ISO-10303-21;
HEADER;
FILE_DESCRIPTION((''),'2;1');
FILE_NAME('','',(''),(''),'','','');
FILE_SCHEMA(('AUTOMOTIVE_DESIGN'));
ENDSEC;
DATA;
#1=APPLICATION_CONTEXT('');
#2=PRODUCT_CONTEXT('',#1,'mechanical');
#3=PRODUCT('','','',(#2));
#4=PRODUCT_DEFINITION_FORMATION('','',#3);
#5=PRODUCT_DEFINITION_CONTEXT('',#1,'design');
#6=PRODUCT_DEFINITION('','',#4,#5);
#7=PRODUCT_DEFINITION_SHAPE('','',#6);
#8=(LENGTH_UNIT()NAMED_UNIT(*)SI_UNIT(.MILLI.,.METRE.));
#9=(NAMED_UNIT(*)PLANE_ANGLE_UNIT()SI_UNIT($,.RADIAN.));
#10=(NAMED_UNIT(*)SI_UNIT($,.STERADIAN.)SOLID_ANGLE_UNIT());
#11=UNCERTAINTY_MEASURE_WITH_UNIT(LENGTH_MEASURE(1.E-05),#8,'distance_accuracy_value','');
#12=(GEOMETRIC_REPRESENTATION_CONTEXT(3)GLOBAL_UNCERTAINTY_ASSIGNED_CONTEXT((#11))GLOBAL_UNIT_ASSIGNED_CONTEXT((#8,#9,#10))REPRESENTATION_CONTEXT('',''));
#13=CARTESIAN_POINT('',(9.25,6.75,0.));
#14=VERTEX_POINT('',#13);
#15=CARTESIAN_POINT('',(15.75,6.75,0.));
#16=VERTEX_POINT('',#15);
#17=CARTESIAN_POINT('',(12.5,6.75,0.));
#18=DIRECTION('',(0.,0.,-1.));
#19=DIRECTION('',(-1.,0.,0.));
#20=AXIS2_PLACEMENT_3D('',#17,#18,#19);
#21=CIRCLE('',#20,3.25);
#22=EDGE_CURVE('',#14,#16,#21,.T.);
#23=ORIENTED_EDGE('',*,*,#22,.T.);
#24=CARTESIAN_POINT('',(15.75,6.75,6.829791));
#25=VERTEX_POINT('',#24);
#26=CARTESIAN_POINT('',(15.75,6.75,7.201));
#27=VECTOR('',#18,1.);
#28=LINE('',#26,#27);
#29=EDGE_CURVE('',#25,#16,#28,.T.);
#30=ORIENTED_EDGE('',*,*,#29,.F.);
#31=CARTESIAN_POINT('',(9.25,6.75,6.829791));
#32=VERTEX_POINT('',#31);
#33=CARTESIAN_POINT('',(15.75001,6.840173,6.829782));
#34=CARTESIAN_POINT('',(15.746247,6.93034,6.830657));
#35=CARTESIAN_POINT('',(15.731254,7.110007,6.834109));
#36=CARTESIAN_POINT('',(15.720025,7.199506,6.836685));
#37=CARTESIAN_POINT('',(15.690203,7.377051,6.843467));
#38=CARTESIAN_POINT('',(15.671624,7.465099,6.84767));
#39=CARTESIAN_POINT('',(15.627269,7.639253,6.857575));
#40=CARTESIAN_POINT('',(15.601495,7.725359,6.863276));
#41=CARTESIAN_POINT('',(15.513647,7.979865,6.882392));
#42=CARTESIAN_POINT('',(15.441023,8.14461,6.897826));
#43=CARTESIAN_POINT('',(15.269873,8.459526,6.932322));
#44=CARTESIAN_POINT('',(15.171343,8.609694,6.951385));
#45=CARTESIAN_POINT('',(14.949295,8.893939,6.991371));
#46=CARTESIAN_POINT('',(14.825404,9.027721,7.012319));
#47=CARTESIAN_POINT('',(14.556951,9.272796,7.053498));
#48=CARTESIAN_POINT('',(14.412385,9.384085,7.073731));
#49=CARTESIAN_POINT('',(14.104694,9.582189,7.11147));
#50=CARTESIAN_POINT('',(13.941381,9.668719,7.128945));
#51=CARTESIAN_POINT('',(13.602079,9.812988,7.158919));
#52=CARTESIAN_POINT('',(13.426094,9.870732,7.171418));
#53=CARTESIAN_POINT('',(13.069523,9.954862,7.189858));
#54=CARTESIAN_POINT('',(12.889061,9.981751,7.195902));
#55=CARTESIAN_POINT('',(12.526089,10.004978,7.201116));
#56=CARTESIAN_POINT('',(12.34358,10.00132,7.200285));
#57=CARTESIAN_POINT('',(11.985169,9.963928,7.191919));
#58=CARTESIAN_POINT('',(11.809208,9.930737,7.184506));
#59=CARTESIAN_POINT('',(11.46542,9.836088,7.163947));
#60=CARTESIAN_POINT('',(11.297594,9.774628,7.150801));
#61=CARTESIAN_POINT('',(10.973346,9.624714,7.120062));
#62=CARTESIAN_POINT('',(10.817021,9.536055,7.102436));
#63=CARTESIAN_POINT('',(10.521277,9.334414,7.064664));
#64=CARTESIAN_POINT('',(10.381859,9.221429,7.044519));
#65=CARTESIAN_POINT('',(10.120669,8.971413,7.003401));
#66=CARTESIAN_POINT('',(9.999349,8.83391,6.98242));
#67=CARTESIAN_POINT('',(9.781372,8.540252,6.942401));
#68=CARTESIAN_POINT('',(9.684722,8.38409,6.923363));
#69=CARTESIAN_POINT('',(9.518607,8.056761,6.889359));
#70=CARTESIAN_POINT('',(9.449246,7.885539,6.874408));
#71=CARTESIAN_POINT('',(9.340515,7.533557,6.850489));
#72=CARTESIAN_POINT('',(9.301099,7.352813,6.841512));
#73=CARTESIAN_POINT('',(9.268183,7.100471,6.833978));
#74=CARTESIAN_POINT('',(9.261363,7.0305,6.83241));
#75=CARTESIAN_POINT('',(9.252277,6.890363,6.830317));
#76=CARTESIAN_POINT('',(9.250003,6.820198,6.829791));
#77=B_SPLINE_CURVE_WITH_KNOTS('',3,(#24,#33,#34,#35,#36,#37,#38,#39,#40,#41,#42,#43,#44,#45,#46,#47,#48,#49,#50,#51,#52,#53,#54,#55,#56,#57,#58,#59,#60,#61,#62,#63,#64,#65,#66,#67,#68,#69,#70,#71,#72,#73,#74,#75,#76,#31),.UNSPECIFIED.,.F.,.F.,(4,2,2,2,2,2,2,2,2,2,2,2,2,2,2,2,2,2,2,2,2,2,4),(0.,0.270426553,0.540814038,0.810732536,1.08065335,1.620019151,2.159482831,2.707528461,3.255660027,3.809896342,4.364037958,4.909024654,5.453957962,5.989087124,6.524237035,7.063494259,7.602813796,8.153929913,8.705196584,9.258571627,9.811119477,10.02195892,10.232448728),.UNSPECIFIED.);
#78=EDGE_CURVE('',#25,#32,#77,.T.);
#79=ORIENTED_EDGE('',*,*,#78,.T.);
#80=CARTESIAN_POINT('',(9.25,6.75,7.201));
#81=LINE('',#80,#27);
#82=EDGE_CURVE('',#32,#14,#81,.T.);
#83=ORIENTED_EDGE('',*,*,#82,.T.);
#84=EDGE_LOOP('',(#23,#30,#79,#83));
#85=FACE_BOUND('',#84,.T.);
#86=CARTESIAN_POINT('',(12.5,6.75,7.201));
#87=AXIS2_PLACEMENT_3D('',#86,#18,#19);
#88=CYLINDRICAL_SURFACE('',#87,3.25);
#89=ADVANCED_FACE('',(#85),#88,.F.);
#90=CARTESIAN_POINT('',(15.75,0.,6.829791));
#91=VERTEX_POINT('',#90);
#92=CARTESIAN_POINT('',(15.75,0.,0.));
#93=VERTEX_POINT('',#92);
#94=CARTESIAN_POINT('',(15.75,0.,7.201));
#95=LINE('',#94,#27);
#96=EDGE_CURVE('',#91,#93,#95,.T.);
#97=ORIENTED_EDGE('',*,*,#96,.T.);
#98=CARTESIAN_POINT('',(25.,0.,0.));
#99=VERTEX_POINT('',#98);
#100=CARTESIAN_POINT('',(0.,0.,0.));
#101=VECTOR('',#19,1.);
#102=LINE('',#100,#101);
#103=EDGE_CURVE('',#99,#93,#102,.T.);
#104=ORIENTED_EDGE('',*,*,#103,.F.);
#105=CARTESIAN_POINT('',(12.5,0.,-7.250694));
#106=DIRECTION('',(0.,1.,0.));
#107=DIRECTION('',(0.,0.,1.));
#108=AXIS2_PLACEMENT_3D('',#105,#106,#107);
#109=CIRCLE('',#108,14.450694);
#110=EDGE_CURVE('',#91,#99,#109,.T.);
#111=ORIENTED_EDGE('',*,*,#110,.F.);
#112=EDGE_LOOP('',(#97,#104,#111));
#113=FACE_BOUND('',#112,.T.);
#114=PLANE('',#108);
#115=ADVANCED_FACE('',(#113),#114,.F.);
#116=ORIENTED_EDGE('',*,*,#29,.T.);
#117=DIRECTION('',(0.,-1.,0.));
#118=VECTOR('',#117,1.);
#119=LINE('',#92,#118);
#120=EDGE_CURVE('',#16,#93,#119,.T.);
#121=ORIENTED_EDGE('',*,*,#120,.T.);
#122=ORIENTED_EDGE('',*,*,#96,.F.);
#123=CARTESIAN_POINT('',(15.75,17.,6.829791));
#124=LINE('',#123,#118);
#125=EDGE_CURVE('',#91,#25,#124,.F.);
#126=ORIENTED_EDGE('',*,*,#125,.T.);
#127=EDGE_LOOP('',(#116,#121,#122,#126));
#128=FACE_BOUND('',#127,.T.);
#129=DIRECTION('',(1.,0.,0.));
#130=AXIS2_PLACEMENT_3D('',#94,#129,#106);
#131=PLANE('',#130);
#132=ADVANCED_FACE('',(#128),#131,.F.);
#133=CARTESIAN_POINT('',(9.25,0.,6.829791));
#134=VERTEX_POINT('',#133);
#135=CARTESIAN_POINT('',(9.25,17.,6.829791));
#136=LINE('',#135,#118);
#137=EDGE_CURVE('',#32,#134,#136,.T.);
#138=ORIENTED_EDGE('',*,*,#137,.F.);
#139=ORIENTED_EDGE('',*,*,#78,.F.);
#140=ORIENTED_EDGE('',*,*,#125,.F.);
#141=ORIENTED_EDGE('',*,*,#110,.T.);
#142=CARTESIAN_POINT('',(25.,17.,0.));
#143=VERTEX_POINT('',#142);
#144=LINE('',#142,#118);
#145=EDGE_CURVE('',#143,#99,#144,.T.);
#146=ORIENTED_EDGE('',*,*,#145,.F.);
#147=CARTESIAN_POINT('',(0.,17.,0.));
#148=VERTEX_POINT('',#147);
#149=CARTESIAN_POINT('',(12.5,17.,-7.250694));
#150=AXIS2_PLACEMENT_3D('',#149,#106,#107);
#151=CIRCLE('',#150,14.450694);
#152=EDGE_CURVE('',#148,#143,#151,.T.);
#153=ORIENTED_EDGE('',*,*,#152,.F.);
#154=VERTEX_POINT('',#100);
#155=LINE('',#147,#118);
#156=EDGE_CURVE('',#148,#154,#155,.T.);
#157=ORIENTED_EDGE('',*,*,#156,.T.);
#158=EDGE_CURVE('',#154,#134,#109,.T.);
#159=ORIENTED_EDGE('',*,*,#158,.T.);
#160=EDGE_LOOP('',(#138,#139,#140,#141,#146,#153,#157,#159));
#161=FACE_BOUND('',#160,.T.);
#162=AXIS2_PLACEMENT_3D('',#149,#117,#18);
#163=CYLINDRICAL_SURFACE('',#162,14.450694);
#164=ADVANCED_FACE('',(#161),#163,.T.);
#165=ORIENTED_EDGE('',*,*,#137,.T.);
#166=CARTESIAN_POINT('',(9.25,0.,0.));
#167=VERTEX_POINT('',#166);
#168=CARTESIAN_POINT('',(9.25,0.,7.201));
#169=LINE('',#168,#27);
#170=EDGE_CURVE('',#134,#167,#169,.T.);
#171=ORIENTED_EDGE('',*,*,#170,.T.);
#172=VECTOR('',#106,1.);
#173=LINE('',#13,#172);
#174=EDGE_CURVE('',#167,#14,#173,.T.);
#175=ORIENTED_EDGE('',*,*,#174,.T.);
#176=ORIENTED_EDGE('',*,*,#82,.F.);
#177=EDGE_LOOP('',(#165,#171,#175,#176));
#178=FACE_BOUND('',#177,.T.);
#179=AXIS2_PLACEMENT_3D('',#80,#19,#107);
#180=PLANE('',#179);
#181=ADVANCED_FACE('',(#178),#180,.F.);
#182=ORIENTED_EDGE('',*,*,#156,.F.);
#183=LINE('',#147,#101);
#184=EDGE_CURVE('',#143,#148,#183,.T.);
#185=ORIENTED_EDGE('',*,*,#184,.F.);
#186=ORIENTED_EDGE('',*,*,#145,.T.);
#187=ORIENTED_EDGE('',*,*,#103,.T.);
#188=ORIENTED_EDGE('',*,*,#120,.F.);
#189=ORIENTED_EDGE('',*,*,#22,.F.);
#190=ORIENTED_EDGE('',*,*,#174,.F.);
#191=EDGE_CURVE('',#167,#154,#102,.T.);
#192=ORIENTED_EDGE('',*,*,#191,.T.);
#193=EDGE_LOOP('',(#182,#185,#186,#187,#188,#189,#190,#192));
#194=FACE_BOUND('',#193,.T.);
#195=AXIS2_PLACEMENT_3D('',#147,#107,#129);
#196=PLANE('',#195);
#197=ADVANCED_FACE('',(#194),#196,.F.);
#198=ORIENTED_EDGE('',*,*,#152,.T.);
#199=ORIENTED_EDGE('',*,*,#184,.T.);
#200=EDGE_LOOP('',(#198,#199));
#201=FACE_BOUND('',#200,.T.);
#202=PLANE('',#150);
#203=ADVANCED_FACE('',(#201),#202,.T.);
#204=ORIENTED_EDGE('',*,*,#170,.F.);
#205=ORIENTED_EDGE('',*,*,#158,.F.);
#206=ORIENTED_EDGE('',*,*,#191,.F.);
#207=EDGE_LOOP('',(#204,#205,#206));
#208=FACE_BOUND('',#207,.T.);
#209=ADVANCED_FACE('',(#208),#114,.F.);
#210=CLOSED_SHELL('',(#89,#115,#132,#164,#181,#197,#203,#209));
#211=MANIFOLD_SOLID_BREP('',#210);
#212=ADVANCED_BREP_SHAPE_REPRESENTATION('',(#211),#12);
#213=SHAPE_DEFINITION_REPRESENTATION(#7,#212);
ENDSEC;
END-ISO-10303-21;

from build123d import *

# Parameters (mm, degrees)
BOSS_EXTRUDE1_DEPTH = 17
CUT_EXTRUDE1_REACH  = 9.2


with BuildPart() as part:
    # Sketch2 → Boss-Extrude1 (new body)
    with BuildSketch(Plane(origin=(0, 0, 0), x_dir=(1, 0, 0), z_dir=(0, 1, 0))):
        with BuildLine():
            Line((0, 0), (25, 0))
            ThreePointArc((25, 0), (12.5, -7.2), (0, 0))
        make_face()
    extrude(amount=BOSS_EXTRUDE1_DEPTH)

    # Sketch3 → Cut-Extrude1 (cut, up to next)
    with BuildSketch(Plane(origin=(0, 0, 0), x_dir=(-1, 0, 0), z_dir=(0, 0, -1)), mode=Mode.PRIVATE) as cut_extrude1_sk1:
        with BuildLine():
            Line((-15.75, 0), (-15.75, 6.75))
            ThreePointArc((-15.75, 6.75), (-12.5, 10), (-9.25, 6.75))
            Line((-9.25, 6.75), (-9.25, 0))
            Line((-9.25, 0), (-15.75, 0))
        make_face()
    cut_extrude1_tool1 = extrude(cut_extrude1_sk1.sketch, amount=-CUT_EXTRUDE1_REACH, mode=Mode.PRIVATE) & part.part
    add(cut_extrude1_tool1.solids().sort_by_distance((12.5, 4.679554, 0))[0], mode=Mode.SUBTRACT)


solid = part.part
